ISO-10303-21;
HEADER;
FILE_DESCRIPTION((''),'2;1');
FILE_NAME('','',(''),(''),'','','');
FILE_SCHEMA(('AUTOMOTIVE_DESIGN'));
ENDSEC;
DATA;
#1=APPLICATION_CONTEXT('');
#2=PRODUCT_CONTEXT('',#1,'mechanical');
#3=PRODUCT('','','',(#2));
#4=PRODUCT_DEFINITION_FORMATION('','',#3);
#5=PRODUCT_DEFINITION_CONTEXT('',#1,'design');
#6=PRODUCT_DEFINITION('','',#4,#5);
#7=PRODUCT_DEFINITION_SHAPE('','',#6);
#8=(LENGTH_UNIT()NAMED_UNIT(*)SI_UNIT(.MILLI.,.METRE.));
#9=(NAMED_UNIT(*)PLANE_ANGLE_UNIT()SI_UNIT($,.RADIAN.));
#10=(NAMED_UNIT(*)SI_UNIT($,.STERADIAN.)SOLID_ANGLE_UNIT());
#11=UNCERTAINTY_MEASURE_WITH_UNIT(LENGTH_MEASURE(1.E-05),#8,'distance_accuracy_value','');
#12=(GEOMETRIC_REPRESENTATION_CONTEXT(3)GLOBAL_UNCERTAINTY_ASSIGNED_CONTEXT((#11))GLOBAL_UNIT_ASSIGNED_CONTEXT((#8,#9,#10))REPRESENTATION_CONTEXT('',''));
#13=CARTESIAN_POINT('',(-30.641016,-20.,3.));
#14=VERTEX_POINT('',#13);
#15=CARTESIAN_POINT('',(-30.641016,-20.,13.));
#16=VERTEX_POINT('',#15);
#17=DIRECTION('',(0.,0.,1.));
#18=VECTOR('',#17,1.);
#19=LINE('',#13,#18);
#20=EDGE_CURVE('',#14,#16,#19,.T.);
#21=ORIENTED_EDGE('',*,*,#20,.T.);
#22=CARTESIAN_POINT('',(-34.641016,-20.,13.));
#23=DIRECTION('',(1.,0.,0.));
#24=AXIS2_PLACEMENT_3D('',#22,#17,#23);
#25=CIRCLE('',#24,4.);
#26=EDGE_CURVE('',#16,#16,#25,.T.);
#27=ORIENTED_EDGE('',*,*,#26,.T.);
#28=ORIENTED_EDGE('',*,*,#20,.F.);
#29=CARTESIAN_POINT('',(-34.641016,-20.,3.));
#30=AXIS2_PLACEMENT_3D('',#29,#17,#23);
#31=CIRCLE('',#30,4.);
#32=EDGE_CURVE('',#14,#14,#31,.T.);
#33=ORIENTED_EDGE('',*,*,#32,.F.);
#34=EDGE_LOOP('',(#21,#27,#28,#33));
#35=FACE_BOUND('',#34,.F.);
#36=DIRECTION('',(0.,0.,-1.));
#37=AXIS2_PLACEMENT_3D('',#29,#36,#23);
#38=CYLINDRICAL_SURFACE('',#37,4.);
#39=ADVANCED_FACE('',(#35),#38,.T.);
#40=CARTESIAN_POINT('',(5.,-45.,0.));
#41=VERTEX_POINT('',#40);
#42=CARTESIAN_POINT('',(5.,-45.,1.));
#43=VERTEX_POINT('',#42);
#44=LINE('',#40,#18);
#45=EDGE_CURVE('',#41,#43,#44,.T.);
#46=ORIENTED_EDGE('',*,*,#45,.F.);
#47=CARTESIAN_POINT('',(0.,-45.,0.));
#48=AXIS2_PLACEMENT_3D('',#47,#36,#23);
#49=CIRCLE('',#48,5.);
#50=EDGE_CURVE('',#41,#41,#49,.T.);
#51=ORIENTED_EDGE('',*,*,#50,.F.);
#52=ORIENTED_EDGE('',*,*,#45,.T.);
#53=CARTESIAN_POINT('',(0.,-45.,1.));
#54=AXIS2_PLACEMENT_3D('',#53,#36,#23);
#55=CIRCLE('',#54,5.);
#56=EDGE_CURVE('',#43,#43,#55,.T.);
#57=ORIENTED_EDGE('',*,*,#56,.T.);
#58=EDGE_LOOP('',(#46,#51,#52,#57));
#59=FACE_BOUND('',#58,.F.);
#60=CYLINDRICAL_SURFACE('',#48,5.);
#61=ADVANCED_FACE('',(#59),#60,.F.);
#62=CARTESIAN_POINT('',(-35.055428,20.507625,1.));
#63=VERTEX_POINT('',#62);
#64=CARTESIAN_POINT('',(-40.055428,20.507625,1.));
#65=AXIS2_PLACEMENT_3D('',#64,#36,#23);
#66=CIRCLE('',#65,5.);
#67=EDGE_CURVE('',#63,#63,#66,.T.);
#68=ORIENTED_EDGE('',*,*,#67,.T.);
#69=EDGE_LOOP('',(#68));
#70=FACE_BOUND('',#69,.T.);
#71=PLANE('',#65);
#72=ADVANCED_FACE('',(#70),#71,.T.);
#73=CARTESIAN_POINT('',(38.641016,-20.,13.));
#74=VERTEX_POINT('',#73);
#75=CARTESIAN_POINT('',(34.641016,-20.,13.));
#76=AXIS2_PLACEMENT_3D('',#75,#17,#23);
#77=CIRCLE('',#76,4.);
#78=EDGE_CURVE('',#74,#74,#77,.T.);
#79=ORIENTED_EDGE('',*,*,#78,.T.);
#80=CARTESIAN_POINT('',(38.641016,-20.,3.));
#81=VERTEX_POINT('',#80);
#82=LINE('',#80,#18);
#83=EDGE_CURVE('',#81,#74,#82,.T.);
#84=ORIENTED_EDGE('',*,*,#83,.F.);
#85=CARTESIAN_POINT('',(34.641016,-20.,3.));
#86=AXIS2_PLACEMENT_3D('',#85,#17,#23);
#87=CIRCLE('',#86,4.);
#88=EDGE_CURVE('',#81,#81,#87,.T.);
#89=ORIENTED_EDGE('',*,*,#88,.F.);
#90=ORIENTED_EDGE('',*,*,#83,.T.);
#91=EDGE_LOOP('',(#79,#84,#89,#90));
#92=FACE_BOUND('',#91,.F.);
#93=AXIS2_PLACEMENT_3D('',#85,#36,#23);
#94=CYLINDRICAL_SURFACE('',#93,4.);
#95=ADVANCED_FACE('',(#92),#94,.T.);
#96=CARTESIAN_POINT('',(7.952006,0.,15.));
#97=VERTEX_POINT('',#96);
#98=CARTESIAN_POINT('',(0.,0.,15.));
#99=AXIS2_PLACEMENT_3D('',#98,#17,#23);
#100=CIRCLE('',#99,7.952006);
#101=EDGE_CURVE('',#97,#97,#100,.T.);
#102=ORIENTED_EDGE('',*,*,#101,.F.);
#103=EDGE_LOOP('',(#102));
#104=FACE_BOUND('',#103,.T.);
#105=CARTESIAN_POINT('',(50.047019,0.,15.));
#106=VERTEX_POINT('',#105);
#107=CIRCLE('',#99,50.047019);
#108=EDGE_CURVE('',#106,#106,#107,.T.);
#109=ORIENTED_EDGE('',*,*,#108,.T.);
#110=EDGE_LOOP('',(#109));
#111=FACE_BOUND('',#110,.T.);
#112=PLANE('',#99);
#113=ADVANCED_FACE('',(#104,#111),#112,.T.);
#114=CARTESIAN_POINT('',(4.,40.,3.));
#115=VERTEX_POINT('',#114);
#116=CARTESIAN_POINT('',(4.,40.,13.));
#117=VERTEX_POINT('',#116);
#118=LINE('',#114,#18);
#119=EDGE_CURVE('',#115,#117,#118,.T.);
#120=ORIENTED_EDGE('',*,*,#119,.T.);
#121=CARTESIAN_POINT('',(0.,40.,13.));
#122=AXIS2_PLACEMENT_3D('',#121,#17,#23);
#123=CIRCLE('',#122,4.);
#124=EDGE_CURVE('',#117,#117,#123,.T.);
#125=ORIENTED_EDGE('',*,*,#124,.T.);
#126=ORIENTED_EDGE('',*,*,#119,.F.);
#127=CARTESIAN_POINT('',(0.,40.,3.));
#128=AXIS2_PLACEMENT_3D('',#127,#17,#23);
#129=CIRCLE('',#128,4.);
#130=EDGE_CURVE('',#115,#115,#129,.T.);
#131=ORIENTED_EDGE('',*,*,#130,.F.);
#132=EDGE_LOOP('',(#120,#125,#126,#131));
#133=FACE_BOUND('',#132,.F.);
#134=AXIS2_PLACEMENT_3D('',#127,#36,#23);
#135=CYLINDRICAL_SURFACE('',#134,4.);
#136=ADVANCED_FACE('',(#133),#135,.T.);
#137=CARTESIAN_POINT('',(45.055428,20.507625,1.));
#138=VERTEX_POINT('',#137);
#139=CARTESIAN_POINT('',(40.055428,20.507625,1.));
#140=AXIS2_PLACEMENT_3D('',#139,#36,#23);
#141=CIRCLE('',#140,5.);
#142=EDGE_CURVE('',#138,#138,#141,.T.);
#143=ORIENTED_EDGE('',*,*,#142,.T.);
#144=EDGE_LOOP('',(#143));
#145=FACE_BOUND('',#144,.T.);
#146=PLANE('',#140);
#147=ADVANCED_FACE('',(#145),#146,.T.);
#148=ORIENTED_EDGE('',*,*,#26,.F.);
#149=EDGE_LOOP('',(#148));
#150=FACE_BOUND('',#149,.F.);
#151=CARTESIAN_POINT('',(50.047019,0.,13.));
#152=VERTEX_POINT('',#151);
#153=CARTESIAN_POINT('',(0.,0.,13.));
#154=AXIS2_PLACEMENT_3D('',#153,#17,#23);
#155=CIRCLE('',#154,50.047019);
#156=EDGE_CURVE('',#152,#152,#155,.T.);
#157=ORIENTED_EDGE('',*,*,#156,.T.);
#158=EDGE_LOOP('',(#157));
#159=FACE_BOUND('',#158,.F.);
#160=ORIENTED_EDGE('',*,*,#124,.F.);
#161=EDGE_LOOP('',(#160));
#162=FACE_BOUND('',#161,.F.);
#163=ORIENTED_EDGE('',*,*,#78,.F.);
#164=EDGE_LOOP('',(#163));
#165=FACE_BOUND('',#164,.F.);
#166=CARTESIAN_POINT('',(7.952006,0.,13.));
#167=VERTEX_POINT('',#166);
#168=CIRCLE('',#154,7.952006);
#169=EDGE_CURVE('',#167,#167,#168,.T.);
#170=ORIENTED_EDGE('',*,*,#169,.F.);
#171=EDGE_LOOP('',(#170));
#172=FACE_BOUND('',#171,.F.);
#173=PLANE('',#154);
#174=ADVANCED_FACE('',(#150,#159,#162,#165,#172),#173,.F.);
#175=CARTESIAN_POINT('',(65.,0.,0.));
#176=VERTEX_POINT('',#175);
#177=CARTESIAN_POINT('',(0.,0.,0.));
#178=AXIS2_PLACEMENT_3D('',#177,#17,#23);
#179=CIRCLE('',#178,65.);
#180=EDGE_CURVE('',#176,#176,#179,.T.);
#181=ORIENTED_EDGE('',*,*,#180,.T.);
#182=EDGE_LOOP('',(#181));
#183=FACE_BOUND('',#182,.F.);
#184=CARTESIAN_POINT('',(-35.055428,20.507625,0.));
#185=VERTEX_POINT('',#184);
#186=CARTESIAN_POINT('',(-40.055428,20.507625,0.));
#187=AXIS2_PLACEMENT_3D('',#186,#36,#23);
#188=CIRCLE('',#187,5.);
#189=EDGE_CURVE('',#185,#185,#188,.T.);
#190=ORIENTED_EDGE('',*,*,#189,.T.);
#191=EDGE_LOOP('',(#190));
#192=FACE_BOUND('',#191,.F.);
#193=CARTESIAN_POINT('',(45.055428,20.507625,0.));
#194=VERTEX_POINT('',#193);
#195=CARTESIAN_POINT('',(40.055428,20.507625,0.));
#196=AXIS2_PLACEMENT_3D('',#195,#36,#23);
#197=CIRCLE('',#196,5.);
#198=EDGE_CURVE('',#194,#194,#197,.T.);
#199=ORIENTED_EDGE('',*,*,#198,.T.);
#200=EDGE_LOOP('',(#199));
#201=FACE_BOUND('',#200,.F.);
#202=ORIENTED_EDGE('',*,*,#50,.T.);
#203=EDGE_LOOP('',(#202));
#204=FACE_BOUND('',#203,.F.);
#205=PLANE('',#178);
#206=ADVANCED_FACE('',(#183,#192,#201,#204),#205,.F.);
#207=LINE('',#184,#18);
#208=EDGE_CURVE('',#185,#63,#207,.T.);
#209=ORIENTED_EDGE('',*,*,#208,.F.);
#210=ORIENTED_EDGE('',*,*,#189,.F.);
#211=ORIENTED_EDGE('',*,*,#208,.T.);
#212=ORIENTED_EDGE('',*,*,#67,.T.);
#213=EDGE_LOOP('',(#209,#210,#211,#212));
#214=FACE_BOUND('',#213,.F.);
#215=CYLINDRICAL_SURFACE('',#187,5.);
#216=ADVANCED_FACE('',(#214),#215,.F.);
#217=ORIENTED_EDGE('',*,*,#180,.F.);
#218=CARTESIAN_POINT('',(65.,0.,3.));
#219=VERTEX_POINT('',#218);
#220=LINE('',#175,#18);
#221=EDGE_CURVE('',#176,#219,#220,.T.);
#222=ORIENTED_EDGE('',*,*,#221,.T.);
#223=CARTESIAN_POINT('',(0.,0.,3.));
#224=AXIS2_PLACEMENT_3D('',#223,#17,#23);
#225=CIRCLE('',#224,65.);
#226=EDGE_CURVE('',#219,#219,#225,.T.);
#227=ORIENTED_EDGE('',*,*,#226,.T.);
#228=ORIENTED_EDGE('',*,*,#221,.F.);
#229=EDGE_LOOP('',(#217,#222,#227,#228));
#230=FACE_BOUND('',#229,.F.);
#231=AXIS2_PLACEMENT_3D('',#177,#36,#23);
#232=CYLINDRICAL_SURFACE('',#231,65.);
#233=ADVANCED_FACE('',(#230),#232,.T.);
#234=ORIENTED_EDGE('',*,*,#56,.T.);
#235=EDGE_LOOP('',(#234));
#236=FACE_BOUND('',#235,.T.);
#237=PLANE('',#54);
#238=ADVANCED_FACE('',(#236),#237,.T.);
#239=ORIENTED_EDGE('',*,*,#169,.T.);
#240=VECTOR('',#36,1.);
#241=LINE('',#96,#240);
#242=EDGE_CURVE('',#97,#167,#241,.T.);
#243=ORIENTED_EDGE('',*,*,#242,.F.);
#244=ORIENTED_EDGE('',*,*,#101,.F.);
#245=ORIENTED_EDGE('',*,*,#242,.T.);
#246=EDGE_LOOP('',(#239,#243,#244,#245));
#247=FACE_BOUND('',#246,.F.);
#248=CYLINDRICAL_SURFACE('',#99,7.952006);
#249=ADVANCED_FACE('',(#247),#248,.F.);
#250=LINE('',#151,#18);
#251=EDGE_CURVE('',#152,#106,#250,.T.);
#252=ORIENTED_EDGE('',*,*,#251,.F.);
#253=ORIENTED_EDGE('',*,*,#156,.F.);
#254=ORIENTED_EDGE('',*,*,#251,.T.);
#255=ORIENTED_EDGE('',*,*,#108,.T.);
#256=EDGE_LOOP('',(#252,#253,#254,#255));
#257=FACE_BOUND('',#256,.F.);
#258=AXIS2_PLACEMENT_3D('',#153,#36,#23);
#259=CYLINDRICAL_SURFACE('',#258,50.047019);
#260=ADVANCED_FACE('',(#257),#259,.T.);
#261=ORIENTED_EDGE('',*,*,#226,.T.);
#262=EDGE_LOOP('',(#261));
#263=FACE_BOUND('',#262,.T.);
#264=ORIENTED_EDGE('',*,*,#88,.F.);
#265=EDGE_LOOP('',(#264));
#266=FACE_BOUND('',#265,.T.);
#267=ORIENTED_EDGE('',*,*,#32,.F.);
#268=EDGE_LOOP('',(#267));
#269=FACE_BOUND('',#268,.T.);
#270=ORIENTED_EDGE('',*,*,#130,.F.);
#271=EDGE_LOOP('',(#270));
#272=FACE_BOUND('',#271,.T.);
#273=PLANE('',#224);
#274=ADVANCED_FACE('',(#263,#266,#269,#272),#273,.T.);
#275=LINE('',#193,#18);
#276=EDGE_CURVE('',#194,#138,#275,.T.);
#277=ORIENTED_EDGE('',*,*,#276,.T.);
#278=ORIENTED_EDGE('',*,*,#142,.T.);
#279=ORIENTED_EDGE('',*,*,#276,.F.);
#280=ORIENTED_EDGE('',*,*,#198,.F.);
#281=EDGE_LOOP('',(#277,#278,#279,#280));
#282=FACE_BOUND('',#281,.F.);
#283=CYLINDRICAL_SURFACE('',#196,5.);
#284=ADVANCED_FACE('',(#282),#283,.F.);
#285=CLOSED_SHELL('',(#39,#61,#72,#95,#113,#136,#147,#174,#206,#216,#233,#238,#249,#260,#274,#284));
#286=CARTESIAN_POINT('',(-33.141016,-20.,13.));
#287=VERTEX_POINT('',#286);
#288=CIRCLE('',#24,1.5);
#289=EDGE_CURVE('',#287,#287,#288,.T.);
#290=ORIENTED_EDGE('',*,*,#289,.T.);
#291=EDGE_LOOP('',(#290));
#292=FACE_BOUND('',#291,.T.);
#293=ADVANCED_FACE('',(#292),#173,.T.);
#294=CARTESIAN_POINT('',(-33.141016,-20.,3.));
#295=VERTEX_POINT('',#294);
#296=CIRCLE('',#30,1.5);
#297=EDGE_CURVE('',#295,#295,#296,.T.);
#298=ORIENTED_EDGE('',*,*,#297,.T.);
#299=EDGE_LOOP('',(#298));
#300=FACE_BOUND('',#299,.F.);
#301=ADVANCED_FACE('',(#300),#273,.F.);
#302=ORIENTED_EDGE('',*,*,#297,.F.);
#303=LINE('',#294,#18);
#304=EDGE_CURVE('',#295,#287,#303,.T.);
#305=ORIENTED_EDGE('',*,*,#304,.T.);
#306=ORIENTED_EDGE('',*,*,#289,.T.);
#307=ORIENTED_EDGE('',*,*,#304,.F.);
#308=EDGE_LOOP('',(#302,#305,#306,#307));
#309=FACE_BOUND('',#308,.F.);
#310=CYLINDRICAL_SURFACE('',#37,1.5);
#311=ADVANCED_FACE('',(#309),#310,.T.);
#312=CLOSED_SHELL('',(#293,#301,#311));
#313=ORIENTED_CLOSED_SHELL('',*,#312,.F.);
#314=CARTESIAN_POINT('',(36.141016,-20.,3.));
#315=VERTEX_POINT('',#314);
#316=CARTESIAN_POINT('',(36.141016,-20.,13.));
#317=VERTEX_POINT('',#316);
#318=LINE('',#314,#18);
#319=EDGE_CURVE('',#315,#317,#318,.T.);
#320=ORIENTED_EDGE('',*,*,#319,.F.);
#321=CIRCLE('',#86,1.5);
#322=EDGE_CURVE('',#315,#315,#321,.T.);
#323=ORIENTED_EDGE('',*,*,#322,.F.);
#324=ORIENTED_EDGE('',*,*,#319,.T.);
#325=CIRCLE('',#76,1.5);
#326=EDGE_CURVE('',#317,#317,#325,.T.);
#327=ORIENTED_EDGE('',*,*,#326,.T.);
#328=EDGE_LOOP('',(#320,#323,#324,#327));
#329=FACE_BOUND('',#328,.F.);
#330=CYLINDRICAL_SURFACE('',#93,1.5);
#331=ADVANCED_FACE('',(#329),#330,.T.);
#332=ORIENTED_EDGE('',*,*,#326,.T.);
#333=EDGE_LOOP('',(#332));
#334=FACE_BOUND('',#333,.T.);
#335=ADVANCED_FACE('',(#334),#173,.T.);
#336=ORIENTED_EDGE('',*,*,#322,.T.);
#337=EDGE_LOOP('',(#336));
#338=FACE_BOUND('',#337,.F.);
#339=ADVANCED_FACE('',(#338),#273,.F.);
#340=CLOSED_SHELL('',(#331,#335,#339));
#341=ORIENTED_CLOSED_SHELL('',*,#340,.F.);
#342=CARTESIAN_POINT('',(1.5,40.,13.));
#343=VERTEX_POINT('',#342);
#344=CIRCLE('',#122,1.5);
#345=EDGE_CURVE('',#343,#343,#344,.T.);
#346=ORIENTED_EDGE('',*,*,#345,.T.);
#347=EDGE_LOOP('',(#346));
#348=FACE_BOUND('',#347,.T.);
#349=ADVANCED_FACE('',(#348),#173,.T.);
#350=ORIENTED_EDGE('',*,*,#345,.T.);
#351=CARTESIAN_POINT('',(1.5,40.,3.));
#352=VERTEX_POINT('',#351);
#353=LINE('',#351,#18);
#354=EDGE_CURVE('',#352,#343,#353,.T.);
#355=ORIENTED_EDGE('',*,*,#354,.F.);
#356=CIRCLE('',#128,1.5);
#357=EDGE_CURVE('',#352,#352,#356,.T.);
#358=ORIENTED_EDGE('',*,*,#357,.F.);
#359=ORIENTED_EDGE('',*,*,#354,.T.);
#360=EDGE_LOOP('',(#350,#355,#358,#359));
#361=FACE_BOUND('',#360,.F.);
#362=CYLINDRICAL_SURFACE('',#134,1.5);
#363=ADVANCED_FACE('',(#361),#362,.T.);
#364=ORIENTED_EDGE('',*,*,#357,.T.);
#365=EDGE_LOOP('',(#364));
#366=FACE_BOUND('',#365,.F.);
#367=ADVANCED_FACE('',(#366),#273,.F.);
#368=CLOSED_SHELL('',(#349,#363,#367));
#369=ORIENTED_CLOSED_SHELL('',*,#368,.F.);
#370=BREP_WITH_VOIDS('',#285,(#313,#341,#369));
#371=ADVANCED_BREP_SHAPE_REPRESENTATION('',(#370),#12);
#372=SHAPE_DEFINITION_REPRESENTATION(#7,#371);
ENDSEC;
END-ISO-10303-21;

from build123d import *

# Parameters (mm, degrees)
SKETCH_R        = 65
PAD_DEPTH       = 3
SKETCH001_R     = 5
POCKET_DEPTH    = 1
SKETCH003_R     = 4
SKETCH003_R_2   = 1.5
PAD001_DEPTH    = 10
SKETCH005_R     = 50.047019
PAD002_DEPTH    = 2
SKETCH007_R     = 7.952006
POCKET001_DEPTH = 5


with BuildPart() as part:
    # Sketch → Pad (new body)
    with BuildSketch(Plane.XY):
        Circle(SKETCH_R)
    extrude(amount=PAD_DEPTH)

    # Sketch001 (on Face2 of Pad) → Pocket (cut)
    with BuildSketch(Plane(origin=(0, 0, 0), x_dir=(1, 0, 0), z_dir=(0, 0, -1))):
        with Locations((0, 45)):
            Circle(SKETCH001_R)
        with Locations((40.055428, -20.507625)):
            Circle(SKETCH001_R)
        with Locations((-40.055428, -20.507625)):
            Circle(SKETCH001_R)
    extrude(amount=-POCKET_DEPTH, mode=Mode.SUBTRACT)

    # Sketch003 (on Face3 of Pocket) → Pad001 (join)
    with BuildSketch(Plane.XY.offset(3)):
        with Locations((0, 40)):
            Circle(SKETCH003_R)
        with Locations((0, 40)):
            Circle(SKETCH003_R_2, mode=Mode.SUBTRACT)
        with Locations((-34.641016, -20)):
            Circle(SKETCH003_R)
        with Locations((-34.641016, -20)):
            Circle(SKETCH003_R_2, mode=Mode.SUBTRACT)
        with Locations((34.641016, -20)):
            Circle(SKETCH003_R)
        with Locations((34.641016, -20)):
            Circle(SKETCH003_R_2, mode=Mode.SUBTRACT)
    extrude(amount=PAD001_DEPTH)

    # Sketch005 (on Face15 of Pad001) → Pad002 (join)
    with BuildSketch(Plane.XY.offset(13)):
        Circle(SKETCH005_R)
    extrude(amount=PAD002_DEPTH)

    # Sketch007 (on Face3 of Pad002) → Pocket001 (cut)
    with BuildSketch(Plane.XY.offset(15)):
        Circle(SKETCH007_R)
    extrude(amount=-POCKET001_DEPTH, mode=Mode.SUBTRACT)


solid = part.part
